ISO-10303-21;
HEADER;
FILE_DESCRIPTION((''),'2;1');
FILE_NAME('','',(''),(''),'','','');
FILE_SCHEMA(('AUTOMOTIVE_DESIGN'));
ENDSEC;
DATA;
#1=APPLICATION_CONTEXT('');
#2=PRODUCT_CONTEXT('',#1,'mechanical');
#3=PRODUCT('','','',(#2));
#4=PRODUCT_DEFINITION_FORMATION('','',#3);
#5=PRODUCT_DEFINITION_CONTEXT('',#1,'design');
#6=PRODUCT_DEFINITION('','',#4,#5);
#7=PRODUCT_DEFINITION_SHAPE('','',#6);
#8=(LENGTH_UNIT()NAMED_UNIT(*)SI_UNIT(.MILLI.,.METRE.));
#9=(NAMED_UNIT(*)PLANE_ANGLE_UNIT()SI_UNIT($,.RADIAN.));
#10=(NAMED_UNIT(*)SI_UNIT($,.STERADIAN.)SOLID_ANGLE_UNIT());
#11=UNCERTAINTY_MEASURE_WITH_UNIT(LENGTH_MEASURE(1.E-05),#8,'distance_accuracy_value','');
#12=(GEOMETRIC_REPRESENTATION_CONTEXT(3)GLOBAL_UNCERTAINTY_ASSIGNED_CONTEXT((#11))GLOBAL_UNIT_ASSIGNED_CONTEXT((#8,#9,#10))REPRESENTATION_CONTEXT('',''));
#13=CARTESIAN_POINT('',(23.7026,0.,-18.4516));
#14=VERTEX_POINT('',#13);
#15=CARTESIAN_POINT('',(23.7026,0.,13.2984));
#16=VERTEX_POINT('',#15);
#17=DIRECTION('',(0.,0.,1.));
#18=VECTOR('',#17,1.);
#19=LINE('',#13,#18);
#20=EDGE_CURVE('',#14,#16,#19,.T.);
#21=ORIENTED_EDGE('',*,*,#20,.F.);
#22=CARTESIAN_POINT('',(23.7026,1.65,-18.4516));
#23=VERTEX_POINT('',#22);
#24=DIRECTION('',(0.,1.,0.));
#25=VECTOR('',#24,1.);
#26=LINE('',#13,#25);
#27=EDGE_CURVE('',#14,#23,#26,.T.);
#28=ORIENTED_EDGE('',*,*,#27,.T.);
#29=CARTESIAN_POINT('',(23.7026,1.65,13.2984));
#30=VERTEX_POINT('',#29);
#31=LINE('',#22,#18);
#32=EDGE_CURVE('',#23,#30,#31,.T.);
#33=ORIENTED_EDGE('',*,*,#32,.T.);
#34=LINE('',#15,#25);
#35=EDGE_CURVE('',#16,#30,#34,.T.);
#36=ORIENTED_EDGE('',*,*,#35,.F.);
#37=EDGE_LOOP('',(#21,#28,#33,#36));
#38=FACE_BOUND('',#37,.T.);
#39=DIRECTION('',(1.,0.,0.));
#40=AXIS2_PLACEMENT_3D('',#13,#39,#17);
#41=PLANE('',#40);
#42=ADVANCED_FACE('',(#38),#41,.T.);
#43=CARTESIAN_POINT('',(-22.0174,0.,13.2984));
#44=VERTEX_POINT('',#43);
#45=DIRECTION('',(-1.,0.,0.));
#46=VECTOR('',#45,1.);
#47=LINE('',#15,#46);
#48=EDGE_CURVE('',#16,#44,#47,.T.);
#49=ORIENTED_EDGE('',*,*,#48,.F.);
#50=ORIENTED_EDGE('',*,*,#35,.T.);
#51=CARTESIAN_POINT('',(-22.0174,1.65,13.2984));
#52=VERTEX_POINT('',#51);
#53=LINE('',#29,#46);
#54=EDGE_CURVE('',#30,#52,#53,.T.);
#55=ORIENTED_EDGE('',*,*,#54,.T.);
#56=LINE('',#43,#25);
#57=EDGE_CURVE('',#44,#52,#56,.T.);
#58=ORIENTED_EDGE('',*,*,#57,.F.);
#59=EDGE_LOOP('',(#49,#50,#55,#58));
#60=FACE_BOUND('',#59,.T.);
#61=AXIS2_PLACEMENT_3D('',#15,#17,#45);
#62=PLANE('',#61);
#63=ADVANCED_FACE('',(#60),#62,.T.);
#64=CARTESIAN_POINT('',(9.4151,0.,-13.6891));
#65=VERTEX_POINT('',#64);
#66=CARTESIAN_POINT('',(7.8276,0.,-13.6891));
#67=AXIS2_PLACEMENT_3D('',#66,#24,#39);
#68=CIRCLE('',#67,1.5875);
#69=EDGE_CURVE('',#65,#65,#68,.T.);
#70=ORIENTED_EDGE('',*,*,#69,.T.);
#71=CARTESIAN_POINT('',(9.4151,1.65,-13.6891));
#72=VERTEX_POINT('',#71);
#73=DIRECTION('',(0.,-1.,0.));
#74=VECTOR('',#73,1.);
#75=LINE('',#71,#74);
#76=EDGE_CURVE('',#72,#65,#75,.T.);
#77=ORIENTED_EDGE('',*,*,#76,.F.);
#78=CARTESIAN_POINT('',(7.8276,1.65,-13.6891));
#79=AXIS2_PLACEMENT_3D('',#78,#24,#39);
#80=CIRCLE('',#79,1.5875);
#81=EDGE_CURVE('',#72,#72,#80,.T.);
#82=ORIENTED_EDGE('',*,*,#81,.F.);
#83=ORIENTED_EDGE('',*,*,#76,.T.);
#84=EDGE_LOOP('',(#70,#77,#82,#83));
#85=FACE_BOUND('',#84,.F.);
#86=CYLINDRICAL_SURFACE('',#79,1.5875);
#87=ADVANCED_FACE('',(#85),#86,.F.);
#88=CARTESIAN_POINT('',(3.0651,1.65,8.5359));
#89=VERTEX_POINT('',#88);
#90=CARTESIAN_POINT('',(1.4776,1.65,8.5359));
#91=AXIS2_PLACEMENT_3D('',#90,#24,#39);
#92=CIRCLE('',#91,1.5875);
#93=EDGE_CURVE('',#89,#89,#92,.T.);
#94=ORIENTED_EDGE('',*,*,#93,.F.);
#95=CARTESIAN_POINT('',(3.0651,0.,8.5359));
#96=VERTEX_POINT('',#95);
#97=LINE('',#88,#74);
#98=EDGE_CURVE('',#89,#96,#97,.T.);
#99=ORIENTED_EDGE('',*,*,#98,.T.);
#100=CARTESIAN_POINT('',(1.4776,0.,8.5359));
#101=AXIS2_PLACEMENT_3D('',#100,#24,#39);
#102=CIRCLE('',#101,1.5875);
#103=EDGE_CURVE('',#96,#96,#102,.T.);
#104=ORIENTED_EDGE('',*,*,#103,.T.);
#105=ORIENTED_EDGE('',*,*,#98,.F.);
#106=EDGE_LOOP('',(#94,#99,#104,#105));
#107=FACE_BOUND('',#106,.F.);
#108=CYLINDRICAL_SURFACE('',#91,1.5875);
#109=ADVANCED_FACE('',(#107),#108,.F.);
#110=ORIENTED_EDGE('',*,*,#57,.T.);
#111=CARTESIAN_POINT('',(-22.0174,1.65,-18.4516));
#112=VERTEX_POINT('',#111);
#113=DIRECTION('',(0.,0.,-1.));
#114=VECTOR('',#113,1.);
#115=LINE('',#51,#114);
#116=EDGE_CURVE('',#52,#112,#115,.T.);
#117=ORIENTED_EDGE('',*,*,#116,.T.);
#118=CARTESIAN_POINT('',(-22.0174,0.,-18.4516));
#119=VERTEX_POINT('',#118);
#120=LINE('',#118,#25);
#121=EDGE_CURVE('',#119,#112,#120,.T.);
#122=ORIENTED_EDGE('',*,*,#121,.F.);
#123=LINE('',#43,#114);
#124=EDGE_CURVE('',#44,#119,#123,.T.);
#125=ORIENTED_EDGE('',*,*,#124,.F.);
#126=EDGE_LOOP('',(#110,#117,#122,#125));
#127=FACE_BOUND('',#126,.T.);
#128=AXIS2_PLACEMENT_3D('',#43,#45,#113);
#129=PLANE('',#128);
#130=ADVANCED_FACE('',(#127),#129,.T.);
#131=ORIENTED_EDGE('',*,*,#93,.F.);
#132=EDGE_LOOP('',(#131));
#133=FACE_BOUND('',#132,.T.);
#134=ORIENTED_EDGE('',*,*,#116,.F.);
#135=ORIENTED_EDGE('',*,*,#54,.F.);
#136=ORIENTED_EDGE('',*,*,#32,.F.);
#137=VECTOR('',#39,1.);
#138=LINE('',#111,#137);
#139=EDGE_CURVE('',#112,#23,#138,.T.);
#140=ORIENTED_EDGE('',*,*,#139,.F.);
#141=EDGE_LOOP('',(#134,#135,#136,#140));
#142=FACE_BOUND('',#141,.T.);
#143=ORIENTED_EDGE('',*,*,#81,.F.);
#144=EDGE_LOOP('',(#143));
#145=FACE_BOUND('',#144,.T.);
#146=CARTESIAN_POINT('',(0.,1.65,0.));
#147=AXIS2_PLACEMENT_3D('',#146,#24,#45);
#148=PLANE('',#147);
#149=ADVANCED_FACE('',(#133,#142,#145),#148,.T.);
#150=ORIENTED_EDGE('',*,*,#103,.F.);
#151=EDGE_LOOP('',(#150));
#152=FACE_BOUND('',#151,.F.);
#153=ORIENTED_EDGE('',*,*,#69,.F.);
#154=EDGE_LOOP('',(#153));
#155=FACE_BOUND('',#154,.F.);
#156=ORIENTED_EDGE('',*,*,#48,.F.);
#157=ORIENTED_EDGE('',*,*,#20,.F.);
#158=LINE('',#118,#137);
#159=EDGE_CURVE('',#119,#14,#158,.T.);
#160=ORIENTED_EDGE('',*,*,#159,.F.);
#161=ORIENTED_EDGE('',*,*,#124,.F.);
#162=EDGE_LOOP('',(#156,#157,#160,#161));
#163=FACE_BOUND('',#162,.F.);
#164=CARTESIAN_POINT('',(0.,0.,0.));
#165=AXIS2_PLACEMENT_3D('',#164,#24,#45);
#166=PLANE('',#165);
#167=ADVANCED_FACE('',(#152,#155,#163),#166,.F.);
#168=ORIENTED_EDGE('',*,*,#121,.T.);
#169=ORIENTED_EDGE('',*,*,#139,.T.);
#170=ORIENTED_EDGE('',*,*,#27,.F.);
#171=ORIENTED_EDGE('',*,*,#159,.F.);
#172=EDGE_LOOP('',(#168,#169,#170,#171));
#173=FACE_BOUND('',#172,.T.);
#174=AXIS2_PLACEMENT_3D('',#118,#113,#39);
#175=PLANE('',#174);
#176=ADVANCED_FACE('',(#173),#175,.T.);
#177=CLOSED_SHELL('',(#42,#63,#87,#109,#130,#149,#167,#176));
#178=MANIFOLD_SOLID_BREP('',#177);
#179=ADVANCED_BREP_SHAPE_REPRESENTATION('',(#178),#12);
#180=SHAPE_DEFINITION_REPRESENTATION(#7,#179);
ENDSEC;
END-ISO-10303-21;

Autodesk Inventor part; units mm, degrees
ref_plane "YZ Plane" through (0, 0, 0) normal (1, 0, 0) x (0, 1, 0)
ref_plane "XZ Plane" through (0, 0, 0) normal (0, 1, 0) x (-1, 0, 0)
ref_plane "XY Plane" through (0, 0, 0) normal (0, 0, 1) x (1, 0, 0)
sketch "Sketch1" plane through (0, 0, 0) normal (0, 1, 0) x (-1, 0, 0)
  line L0 (-23.7026, 13.2984) -> (22.0174, 13.2984)
  line L1 (22.0174, 13.2984) -> (22.0174, -18.4516)
  line L2 (22.0174, -18.4516) -> (-23.7026, -18.4516)
  line L3 (-23.7026, -18.4516) -> (-23.7026, 13.2984)
  point P0 (0, 0)
  dimension "d0" = 45.72
  dimension "d1" = 31.75
extrude "Extrusion1" add sketch "Sketch1" along normal blind 1.65
sketch "Sketch2" plane through (0, 1.65, 0) normal (0, 1, 0) x (1, 0, 0)
  line L0 (-22.0174, -13.2984) -> (23.7026, -13.2984) projected
  line L1 (23.7026, -13.2984) -> (23.7026, 18.4516) projected
  line L2 (23.7026, 18.4516) -> (-22.0174, 18.4516) projected
  circle A0 centre (1.4776, -8.5359) radius 1.5875
  circle A1 centre (7.8276, 13.6891) radius 1.5875
  point P0 (0, 0)
  dimension "d4" = 3.175
  dimension "d5" = 3.175
  dimension "d6" = 4.7625
  dimension "d7" = 4.7625
  dimension "d10" = 15.875
  dimension "d11" = 22.225
extrude "Extrusion2" cut sketch "Sketch2" against normal up to next
properties part number "AmpPSBoard"
